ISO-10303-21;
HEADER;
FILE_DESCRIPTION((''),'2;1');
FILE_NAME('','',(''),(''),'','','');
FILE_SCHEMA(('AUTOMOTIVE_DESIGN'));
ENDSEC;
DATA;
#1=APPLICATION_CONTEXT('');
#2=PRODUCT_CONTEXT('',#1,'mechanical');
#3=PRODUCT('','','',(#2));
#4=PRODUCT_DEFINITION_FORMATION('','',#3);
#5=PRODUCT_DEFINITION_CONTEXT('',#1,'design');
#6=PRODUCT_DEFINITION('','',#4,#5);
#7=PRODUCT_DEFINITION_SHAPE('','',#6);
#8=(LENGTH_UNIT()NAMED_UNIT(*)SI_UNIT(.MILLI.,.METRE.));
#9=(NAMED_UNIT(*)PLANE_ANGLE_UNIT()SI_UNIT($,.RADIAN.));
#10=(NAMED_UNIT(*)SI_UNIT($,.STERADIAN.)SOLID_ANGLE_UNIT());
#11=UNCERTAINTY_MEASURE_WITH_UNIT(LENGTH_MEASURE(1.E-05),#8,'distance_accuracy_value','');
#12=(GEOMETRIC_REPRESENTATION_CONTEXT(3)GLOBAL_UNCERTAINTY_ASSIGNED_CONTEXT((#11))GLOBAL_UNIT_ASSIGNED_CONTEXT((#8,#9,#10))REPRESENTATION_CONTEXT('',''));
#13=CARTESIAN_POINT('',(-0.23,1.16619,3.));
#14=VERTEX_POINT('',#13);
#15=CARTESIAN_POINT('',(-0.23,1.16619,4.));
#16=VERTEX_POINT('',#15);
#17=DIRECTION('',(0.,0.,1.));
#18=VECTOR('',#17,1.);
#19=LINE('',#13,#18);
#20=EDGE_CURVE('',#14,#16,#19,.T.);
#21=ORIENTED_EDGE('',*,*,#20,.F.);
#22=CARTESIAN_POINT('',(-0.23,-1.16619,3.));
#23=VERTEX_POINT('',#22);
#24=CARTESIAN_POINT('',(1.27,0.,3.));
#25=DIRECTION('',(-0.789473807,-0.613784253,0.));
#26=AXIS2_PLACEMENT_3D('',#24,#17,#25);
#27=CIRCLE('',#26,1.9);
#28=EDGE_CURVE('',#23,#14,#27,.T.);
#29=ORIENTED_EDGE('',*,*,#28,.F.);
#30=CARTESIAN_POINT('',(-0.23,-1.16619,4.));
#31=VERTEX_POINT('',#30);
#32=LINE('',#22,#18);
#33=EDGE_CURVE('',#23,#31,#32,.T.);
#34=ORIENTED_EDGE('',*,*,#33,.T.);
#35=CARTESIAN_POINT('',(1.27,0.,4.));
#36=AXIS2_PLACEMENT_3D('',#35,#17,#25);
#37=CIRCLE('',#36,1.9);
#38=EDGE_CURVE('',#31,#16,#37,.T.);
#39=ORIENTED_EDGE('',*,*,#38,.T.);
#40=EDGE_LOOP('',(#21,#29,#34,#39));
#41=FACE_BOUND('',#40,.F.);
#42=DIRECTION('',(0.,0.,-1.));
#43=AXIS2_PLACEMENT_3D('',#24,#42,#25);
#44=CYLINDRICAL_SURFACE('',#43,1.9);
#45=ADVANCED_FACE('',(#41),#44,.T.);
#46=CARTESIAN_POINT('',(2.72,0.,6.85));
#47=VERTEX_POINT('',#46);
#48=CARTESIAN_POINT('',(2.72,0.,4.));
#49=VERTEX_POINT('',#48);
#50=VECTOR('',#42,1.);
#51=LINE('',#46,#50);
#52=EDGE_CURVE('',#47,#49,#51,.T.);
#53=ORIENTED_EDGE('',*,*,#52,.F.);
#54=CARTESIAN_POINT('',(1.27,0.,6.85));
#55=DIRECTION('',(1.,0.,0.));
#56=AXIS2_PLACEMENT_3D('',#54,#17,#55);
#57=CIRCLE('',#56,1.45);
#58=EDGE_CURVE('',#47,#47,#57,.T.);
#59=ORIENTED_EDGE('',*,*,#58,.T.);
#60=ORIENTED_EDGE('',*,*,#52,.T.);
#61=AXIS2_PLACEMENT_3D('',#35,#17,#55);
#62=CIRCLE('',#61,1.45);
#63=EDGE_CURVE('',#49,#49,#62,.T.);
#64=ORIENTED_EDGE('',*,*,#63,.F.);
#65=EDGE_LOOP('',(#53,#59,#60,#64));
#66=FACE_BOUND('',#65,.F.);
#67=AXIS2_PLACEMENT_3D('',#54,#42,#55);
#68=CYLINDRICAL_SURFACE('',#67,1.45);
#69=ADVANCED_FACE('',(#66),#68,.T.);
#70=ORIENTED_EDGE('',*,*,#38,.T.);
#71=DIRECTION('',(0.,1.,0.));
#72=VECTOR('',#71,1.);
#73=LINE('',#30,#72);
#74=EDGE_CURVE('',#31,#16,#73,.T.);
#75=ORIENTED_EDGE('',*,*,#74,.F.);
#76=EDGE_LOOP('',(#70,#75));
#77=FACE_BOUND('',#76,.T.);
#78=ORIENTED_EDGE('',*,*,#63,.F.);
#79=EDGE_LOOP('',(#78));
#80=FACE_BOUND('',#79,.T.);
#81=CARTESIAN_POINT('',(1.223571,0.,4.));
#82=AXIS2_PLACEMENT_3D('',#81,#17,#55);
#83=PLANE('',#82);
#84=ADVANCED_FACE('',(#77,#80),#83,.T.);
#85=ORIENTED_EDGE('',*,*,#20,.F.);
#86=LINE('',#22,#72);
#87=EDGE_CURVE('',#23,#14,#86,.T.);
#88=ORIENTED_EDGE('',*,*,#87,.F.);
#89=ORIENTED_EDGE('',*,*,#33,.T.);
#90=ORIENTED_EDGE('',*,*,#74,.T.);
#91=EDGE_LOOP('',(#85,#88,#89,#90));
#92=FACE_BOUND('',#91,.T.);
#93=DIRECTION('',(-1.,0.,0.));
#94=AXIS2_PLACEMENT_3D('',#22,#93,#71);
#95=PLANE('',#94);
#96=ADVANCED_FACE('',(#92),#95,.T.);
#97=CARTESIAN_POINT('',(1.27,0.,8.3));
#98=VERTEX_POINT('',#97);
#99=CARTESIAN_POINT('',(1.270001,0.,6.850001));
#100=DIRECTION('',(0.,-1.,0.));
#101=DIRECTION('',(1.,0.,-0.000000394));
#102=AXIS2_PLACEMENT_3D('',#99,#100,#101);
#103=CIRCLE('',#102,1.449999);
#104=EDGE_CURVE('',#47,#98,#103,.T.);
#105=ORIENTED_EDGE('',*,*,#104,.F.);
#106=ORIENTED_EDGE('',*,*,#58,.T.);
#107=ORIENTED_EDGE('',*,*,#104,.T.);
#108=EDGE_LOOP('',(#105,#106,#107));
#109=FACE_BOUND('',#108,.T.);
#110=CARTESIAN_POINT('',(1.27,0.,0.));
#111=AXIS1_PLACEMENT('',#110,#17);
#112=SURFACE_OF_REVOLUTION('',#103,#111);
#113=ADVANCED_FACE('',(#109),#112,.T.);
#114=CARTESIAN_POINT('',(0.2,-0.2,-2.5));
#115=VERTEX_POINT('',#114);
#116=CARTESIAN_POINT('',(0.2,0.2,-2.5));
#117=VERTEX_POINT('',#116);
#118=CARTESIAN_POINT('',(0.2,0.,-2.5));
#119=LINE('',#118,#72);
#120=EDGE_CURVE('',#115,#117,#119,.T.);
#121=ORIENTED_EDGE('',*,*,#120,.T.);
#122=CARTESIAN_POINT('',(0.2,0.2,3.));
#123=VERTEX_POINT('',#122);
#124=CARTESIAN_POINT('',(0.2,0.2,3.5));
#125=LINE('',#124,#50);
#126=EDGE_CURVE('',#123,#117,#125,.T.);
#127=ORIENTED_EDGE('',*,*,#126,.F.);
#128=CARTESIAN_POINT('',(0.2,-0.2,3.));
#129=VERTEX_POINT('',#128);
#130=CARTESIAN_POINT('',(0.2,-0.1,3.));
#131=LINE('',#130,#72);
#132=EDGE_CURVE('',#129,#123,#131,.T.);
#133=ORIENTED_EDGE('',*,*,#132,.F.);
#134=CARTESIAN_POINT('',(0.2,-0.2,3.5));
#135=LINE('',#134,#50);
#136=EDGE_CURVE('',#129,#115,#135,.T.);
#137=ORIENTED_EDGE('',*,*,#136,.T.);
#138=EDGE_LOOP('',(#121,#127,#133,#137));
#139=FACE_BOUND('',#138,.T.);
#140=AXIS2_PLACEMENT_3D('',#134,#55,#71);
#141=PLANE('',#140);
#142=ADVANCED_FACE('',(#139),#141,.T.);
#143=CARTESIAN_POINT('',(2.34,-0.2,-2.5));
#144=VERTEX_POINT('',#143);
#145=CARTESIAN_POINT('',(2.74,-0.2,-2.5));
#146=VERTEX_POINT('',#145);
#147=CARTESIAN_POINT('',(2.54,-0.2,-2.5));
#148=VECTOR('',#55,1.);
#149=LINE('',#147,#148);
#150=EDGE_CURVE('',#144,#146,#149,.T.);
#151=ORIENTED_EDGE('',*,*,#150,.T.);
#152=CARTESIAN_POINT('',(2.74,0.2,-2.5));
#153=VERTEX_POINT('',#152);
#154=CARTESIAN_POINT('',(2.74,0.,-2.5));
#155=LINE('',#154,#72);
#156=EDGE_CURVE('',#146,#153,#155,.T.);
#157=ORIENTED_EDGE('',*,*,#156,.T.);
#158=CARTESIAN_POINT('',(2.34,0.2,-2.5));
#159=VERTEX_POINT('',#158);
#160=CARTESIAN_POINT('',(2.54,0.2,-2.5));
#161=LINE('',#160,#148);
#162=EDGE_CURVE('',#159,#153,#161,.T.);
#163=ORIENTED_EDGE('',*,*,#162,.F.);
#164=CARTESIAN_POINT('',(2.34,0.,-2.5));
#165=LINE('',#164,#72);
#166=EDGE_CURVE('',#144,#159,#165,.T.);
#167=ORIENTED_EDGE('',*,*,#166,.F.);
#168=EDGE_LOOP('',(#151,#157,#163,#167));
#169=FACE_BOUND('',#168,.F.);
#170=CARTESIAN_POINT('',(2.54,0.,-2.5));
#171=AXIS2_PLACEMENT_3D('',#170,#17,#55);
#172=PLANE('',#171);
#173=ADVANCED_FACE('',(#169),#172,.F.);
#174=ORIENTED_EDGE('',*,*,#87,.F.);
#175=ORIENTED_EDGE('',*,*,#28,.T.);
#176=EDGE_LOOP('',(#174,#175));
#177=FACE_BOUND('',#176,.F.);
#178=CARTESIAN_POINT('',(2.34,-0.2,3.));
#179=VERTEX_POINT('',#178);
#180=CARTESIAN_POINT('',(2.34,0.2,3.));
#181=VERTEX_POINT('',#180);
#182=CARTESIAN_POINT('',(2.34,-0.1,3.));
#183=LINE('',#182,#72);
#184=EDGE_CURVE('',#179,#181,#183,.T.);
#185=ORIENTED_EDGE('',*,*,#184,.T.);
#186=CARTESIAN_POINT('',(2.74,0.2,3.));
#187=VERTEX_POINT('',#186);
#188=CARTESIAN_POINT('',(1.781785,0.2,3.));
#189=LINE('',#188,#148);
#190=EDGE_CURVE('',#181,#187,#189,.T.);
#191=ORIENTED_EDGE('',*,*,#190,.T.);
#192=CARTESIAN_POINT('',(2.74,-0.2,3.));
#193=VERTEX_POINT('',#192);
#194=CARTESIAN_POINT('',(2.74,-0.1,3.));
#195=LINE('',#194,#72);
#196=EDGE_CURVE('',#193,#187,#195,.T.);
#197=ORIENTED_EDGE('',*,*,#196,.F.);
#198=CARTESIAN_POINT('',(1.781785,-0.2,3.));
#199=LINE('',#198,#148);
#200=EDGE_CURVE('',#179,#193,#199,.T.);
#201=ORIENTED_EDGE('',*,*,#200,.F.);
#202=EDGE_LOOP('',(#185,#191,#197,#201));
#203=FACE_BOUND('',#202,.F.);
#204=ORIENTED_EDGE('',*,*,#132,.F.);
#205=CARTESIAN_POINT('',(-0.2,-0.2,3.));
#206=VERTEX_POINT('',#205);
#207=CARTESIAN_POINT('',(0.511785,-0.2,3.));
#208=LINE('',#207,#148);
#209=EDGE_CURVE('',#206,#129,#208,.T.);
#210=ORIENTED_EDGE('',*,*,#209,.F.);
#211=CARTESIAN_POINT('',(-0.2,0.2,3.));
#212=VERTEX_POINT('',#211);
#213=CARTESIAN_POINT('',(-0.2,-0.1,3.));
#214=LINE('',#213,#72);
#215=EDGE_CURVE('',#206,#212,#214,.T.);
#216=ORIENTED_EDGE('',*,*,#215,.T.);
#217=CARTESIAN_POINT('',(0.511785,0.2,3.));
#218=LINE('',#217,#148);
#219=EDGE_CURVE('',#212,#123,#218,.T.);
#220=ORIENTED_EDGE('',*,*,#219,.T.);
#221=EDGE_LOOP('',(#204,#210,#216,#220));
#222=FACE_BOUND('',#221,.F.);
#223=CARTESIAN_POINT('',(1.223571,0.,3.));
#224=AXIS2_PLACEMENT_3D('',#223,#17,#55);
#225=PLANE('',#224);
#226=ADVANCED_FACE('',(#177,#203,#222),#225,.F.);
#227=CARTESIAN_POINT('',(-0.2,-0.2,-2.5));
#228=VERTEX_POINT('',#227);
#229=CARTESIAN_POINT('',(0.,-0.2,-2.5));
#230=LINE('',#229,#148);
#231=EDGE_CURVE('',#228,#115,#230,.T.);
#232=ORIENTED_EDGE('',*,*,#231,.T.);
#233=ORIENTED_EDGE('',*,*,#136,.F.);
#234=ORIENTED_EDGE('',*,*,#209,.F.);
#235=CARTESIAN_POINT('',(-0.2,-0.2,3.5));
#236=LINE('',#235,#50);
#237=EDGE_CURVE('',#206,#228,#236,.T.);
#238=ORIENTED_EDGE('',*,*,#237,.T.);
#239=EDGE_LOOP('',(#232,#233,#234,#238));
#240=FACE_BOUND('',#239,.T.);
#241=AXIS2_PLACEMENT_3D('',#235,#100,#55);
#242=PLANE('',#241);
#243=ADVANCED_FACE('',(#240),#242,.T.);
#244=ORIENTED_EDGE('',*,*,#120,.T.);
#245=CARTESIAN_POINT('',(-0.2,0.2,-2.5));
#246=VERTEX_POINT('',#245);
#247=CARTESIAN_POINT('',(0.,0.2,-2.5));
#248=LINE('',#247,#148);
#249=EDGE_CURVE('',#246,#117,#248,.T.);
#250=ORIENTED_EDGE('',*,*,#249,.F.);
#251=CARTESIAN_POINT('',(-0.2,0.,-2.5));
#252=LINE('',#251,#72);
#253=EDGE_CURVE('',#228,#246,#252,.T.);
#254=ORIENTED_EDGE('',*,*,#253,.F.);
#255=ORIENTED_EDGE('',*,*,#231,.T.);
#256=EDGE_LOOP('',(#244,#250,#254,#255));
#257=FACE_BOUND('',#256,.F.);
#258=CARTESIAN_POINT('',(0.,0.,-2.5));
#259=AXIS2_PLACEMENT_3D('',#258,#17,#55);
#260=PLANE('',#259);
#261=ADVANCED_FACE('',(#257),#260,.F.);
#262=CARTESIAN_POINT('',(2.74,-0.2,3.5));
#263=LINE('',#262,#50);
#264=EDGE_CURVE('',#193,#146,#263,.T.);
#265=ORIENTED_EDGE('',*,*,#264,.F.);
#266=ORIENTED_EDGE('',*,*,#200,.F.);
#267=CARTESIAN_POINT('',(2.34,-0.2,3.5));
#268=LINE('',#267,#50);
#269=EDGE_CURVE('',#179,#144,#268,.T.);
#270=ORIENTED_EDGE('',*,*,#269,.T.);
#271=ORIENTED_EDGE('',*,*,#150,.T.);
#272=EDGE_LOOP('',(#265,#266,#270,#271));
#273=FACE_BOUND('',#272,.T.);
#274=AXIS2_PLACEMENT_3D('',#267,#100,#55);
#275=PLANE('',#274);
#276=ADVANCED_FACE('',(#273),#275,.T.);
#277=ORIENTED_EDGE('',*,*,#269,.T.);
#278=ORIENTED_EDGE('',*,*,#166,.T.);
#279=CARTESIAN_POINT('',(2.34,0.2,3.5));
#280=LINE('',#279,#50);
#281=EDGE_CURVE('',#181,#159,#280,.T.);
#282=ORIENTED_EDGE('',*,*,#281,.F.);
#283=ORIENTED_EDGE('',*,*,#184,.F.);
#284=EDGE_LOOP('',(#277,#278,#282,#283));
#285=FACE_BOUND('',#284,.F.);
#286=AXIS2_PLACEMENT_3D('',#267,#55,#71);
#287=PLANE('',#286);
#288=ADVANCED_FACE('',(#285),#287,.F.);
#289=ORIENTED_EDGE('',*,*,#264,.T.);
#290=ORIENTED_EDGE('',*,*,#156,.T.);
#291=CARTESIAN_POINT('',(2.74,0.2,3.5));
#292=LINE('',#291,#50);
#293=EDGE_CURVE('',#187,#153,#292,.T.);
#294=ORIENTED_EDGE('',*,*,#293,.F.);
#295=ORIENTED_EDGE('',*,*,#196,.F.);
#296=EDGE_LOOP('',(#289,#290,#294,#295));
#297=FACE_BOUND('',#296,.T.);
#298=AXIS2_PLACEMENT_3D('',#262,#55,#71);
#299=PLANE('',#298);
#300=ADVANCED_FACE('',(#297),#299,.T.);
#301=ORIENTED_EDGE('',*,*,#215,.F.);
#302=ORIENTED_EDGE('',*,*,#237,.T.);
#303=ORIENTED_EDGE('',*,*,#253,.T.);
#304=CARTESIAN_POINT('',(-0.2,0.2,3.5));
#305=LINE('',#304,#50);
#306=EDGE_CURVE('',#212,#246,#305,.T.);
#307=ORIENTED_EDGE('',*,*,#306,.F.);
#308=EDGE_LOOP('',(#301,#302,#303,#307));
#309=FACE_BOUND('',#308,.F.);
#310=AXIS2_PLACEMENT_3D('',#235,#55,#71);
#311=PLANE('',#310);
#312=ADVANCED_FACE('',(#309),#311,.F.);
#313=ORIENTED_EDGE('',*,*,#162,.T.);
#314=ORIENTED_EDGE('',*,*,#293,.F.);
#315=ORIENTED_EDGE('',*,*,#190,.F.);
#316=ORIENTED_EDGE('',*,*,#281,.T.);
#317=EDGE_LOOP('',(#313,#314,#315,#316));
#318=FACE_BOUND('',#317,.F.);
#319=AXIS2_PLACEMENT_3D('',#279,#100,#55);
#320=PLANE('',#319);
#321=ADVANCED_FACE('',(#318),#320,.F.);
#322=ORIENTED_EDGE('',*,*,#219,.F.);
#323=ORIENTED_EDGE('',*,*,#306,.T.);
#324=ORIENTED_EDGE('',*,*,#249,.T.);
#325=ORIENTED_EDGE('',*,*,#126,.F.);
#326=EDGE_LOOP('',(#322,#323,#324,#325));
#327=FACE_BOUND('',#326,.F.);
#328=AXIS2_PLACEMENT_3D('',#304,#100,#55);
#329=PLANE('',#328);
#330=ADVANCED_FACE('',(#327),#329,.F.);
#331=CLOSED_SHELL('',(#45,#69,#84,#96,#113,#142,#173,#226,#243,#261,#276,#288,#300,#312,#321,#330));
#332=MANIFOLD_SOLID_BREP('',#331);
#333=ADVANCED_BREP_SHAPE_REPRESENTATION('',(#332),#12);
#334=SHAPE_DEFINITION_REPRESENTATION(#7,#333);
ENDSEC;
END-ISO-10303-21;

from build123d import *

# Parameters (mm, degrees)
PAD_DEPTH    = 1
SKETCH002_W  = 0.4
SKETCH002_H  = 0.4
PAD001_DEPTH = 6
SKETCH003_W  = 2.84
SKETCH003_H  = 0.4
PAD002_DEPTH = 1


with BuildPart() as pad:
    # Sketch001 → Pad (new body)
    with BuildSketch(Plane(origin=(1.27, 0, 3), x_dir=(1, 0, 0), z_dir=(0, 0, 1))):
        with BuildLine():
            ThreePointArc((-1.5, -1.16619), (1.9, 0), (-1.5, 1.16619))
            Line((-1.5, -1.16619), (-1.5, 1.16619))
        make_face()
    extrude(amount=PAD_DEPTH)


with BuildPart() as pad001:
    # Sketch002 → Pad001 (new body)
    with BuildSketch(Plane.XY.offset(3.5)):
        Rectangle(SKETCH002_W, SKETCH002_H)
        with Locations((2.54, 0)):
            Rectangle(SKETCH002_W, SKETCH002_H)
    extrude(amount=-PAD001_DEPTH)


with BuildPart() as pad002:
    # Sketch003 → Pad002 (new body)
    with BuildSketch(Plane.XY.offset(3.5)):
        with Locations((1.27, 0)):
            Rectangle(SKETCH003_W, SKETCH003_H)
    extrude(amount=PAD002_DEPTH)


with BuildPart() as revolution001:
    # Sketch004 → Revolution001 (revolve)
    with BuildSketch(Plane.XZ):
        Polygon((1.27, 4.275), (0.82, 4.725), (1.27, 4.725), align=None)
    revolve(axis=Axis((1.27, 0, 5.374987), (0, 0, -1)))


with BuildPart() as led_d3_0mm:
    # Sketch → Revolution (revolve)
    with BuildSketch(Plane(origin=(1.27, 0, 0), x_dir=(1, 0, 0), z_dir=(0, -1, 0))):
        with BuildLine():
            ThreePointArc((1.45, 6.85), (1.025305, 7.875305), (0, 8.3))
            Line((0, 4), (0, 8.3))
            Line((1.45, 4), (0, 4))
            Line((1.45, 6.85), (1.45, 4))
        make_face()
    revolve(axis=Axis((1.27, 0, 0), (0, 0, 1)))

    # Revolution_mp_cp: union Pad, Pad001, Pad002, Revolution001
    add(pad.part)
    add(pad001.part)
    add(pad002.part)
    add(revolution001.part)


solid = led_d3_0mm.part
